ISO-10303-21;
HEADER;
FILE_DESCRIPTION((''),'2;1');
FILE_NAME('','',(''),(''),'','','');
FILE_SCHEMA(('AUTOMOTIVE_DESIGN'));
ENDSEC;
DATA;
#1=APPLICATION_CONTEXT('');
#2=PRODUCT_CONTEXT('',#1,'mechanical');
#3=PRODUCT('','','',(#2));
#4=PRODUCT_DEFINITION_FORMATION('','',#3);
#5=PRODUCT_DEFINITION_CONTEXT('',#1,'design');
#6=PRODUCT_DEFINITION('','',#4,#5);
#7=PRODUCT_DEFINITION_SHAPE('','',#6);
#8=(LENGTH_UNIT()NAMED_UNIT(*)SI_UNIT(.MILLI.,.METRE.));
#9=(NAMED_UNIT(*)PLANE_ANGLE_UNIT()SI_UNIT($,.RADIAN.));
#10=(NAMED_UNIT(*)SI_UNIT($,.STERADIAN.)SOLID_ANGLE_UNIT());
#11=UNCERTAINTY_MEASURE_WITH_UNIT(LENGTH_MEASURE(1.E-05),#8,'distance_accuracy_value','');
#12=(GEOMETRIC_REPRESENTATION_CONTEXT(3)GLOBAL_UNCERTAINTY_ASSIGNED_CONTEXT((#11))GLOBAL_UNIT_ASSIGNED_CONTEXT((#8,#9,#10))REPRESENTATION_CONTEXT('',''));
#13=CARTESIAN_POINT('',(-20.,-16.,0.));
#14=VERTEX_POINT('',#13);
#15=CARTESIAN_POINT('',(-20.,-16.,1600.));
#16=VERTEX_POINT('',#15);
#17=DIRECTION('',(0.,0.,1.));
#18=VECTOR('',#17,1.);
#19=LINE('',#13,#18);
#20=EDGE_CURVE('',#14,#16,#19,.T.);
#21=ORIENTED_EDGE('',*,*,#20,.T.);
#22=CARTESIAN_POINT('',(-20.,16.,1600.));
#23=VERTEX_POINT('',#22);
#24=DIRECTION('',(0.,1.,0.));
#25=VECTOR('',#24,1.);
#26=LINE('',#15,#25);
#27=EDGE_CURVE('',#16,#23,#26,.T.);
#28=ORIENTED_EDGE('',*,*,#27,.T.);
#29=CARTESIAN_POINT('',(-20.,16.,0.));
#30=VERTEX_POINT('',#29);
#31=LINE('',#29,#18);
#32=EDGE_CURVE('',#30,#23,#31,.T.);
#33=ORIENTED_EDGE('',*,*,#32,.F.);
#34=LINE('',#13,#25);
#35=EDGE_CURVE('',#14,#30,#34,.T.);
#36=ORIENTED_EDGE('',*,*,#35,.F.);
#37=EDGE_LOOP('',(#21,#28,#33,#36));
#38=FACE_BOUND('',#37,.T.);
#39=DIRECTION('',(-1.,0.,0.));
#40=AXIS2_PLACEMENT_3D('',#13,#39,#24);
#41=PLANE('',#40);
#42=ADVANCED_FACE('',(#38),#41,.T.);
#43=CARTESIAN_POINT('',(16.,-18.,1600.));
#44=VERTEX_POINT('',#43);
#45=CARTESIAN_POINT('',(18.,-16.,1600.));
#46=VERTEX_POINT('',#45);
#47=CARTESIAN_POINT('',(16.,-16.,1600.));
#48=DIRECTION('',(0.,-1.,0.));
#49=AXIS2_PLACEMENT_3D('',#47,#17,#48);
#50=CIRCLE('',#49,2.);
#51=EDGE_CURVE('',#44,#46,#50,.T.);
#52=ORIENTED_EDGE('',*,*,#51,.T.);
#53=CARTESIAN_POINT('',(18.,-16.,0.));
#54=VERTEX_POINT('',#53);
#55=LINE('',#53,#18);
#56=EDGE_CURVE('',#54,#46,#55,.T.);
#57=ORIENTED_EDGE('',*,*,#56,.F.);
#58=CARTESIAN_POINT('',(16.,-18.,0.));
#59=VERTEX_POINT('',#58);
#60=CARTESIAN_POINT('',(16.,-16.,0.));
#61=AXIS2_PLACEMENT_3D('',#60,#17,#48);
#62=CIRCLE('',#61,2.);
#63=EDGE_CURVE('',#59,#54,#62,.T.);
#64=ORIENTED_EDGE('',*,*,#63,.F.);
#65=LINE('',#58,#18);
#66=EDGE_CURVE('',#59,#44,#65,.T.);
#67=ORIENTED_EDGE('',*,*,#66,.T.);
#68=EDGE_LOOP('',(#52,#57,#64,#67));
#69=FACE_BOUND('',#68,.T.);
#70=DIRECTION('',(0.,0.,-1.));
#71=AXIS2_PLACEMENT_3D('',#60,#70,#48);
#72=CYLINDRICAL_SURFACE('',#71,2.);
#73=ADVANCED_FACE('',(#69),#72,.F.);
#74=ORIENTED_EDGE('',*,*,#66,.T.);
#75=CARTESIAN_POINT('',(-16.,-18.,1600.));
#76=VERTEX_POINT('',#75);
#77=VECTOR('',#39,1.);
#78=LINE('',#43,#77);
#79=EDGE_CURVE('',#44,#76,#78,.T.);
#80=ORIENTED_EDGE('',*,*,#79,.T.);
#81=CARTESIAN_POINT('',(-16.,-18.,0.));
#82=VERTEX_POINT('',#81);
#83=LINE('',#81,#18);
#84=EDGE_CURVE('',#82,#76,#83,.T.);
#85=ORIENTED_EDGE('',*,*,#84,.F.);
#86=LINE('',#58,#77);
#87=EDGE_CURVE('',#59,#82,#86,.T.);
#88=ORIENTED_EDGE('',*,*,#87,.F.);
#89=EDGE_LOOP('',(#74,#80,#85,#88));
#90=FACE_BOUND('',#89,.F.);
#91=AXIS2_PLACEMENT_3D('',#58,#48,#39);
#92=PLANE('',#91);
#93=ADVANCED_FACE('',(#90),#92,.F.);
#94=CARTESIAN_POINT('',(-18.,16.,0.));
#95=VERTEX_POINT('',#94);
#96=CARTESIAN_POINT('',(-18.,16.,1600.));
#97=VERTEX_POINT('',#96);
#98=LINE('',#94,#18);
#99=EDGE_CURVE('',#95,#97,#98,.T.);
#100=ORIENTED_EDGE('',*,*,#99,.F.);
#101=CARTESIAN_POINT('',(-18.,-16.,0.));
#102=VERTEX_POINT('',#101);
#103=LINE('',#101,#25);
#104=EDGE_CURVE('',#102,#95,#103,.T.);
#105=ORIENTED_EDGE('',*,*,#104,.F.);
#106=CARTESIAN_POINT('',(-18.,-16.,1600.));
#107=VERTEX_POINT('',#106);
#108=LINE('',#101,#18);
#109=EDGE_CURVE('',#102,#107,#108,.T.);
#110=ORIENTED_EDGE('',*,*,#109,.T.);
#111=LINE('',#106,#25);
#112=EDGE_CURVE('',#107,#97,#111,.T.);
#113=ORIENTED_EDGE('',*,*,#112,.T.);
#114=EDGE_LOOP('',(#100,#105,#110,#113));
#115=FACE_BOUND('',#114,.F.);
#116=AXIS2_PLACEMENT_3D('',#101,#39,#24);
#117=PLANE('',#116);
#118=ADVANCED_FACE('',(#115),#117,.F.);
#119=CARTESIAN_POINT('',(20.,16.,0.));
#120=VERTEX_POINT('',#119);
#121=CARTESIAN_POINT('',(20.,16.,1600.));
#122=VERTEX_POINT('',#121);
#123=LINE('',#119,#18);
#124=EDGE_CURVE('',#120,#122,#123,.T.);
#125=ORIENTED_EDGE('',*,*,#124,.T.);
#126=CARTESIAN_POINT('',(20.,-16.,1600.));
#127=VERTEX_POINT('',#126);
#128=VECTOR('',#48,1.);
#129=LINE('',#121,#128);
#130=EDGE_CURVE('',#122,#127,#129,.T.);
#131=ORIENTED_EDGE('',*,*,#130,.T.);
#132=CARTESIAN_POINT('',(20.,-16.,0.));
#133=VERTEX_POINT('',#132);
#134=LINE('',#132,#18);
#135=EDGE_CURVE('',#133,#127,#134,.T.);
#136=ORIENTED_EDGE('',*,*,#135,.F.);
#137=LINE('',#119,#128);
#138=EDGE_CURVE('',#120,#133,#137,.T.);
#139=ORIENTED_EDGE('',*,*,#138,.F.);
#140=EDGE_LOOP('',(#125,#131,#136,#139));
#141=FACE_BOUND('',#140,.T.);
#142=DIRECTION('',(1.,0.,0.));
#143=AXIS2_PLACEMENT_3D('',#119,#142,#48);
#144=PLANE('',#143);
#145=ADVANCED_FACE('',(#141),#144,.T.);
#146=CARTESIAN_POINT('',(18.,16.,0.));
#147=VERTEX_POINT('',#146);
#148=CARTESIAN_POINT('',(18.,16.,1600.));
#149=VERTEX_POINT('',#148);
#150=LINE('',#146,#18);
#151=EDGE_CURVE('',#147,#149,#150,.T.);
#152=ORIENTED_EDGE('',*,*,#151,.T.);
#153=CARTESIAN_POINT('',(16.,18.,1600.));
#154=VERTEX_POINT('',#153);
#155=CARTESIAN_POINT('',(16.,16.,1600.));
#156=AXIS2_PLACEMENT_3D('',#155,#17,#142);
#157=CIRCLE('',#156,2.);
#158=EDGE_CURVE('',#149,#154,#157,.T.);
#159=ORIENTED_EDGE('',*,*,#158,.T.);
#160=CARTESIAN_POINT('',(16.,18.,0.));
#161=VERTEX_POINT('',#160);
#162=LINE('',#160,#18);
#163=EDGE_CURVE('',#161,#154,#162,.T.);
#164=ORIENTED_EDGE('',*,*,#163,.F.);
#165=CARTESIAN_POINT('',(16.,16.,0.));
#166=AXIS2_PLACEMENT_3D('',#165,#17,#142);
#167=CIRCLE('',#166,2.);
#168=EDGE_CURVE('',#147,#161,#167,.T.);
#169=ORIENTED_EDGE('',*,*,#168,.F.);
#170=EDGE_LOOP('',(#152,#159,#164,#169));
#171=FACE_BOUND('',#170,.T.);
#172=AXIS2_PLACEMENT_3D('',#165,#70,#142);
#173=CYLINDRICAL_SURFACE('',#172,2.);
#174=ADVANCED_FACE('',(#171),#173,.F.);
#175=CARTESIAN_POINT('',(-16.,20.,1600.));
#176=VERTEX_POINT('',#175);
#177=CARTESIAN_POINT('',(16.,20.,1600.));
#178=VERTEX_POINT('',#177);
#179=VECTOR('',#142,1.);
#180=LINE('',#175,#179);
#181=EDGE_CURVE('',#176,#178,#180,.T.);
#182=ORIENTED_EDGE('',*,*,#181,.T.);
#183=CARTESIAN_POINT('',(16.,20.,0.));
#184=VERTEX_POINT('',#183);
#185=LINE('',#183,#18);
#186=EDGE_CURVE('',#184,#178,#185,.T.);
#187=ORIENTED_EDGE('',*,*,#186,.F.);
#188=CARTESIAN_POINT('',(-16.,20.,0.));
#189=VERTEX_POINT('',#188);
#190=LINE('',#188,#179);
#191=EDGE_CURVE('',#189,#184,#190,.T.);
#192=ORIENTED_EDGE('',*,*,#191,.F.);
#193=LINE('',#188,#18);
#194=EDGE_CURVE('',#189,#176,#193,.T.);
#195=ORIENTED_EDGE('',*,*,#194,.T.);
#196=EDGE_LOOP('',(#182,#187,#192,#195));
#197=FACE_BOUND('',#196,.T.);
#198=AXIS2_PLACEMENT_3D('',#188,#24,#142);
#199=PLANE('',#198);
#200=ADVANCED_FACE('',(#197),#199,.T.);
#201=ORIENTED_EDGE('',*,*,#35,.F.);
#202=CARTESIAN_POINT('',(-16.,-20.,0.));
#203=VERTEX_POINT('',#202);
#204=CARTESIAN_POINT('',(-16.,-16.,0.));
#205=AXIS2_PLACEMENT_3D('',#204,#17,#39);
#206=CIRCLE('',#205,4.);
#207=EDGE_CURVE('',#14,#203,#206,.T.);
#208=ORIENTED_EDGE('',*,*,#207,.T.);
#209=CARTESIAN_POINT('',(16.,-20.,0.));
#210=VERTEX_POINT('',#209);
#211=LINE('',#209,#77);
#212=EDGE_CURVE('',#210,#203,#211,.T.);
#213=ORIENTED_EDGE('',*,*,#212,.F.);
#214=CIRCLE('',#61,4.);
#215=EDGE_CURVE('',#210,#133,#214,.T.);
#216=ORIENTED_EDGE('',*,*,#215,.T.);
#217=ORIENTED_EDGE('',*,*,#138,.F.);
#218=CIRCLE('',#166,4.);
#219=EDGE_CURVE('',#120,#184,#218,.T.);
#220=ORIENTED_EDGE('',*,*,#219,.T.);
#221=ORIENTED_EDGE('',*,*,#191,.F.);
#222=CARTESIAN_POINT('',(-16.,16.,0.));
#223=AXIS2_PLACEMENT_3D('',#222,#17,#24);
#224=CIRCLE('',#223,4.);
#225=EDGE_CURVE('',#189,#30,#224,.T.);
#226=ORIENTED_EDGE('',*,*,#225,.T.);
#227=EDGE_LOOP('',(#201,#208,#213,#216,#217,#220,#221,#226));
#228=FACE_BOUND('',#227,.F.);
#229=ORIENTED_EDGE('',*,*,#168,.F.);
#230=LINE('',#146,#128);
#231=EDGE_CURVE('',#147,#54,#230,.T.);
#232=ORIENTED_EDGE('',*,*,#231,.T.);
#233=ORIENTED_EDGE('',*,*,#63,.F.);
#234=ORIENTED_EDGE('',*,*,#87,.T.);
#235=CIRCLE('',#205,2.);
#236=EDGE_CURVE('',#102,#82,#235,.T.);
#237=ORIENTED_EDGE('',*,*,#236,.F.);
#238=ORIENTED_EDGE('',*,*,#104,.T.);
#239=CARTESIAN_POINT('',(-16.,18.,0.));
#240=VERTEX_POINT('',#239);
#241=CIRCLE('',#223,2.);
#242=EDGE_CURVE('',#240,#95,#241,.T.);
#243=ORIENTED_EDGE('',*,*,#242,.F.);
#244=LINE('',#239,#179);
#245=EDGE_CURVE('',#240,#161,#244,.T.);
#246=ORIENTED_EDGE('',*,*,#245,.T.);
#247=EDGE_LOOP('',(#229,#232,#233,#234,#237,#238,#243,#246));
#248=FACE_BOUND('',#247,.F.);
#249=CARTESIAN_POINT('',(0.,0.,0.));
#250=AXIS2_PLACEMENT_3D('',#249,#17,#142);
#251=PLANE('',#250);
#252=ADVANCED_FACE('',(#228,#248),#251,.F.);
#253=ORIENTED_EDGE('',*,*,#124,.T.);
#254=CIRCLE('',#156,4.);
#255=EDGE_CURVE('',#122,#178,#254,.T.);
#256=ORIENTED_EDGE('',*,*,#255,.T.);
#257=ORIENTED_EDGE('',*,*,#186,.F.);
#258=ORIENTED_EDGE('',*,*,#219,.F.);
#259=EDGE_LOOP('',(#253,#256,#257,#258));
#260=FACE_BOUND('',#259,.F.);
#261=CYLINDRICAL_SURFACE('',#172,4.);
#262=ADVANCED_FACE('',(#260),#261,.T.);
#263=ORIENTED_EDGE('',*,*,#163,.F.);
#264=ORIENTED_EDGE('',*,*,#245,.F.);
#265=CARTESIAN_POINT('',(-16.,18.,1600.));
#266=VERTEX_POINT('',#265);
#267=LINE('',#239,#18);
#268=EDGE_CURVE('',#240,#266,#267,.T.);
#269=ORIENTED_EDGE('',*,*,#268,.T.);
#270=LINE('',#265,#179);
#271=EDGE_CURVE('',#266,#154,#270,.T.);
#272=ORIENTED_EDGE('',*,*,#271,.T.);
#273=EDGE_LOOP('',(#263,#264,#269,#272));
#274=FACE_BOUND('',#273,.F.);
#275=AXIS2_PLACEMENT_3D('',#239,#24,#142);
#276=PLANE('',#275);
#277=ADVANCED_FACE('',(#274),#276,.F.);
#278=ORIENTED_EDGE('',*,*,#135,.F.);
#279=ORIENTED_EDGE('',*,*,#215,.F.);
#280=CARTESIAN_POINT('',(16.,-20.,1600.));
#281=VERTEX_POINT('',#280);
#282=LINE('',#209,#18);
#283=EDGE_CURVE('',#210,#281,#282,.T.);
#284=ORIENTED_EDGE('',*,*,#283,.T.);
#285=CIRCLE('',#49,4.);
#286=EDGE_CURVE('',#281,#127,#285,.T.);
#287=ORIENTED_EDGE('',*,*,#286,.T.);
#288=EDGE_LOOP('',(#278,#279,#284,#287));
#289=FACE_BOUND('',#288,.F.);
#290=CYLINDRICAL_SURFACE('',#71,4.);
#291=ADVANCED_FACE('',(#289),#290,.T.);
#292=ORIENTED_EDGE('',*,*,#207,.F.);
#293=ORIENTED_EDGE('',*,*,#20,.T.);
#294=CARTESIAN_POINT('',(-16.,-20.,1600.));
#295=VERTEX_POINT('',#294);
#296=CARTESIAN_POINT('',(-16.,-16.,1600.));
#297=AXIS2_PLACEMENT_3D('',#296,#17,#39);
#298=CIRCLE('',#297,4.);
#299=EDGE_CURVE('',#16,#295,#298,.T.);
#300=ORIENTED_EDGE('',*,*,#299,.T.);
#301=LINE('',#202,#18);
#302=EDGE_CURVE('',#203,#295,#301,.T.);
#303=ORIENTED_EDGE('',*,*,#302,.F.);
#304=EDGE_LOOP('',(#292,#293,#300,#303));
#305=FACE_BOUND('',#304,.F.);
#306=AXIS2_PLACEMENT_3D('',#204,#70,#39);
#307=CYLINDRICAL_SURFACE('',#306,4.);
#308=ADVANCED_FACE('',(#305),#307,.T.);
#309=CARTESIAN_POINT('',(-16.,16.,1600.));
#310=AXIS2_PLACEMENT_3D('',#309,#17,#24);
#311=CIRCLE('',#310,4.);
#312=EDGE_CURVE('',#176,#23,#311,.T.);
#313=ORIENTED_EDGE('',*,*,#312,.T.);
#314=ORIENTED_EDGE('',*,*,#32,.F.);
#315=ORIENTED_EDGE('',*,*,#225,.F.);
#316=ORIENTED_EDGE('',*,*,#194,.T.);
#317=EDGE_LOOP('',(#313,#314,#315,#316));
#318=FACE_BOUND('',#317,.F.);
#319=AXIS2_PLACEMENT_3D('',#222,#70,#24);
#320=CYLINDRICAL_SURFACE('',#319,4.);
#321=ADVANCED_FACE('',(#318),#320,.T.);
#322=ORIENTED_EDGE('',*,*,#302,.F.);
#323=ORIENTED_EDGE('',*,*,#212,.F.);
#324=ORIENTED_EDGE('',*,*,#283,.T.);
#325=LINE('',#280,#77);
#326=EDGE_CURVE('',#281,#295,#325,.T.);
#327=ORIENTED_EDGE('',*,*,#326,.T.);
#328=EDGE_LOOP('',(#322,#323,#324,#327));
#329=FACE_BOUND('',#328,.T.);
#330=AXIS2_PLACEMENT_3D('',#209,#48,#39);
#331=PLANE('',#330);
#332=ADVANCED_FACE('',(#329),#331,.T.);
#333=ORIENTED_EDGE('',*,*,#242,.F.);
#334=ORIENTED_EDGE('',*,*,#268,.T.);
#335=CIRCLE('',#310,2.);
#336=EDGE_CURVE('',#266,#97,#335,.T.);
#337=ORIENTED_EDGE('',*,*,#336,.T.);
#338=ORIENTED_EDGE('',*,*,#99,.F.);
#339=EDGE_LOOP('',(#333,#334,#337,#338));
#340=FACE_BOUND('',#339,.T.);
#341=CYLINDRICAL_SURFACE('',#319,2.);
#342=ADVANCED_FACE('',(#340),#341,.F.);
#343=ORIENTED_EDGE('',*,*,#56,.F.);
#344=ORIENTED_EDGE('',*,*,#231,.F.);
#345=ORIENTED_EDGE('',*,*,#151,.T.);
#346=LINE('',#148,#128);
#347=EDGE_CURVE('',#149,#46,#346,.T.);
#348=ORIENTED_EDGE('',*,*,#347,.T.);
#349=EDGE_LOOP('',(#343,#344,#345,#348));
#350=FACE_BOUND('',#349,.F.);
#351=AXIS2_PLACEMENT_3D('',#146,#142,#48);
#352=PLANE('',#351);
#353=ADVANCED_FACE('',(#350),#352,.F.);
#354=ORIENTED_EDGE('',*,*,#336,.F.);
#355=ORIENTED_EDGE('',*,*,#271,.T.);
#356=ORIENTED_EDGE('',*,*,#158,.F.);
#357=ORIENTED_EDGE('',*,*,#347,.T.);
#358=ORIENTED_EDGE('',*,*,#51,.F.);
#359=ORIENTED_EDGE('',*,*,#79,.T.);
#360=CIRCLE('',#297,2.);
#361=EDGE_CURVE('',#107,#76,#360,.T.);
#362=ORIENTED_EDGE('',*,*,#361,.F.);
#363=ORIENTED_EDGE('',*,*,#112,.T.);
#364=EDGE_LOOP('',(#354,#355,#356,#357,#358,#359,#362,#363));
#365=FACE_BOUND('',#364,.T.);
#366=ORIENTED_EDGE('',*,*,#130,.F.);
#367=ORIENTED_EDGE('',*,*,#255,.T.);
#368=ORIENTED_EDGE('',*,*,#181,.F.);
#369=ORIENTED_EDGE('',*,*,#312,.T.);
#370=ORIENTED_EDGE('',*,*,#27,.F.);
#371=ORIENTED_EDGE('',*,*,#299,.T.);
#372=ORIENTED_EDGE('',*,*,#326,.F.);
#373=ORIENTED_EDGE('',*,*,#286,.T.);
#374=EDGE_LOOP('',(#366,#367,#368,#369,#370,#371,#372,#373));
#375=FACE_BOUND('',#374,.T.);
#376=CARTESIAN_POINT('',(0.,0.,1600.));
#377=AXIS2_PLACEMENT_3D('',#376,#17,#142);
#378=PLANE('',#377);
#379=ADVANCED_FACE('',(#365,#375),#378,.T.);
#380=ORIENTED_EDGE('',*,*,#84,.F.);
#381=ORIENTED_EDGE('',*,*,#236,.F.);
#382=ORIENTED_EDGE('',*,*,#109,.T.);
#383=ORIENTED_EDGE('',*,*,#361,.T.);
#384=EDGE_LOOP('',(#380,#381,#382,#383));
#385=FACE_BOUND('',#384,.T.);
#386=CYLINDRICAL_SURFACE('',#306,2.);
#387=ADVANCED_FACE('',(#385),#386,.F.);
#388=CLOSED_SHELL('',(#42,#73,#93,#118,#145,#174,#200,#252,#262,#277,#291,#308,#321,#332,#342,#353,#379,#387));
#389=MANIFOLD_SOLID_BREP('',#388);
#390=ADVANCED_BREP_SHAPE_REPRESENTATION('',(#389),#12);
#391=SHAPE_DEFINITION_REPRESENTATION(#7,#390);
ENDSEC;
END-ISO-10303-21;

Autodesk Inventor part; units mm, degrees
ref_plane "YZ Plane" through (0, 0, 0) normal (1, 0, 0) x (0, 1, 0)
ref_plane "Start Plane" through (0, 0, 0) normal (0, 0, 1) x (1, 0, 0)
ref_plane "End Plane" through (0, 0, 1600) normal (0, 0, 1) x (1, 0, 0)
sketch "Sketch" plane through (0, 0, 0) normal (0, 0, 1) x (1, 0, 0)
  line L0 (-20, -16) -> (-20, 16)
  line L1 (-16, 20) -> (16, 20)
  line L2 (20, 16) -> (20, -16)
  line L3 (16, -20) -> (-16, -20)
  arc A0 (-20, -16) -> (-16, -20) centre (-16, -16) ccw
  arc A1 (20, 16) -> (16, 20) centre (16, 16) ccw
  arc A2 (-16, 20) -> (-20, 16) centre (-16, 16) ccw
  arc A3 (16, -20) -> (20, -16) centre (16, -16) ccw
  arc A4 (-16, 18) -> (-18, 16) centre (-16, 16) ccw
  line L4 (-16, 18) -> (16, 18)
  arc A5 (18, 16) -> (16, 18) centre (16, 16) ccw
  line L5 (18, 16) -> (18, -16)
  arc A6 (16, -18) -> (18, -16) centre (16, -16) ccw
  line L6 (16, -18) -> (-16, -18)
  arc A7 (-18, -16) -> (-16, -18) centre (-16, -16) ccw
  line L7 (-18, -16) -> (-18, 16)
  line L8 (0, 29.1598) -> (0, -29.1598) construction
  line L9 (-29.1598, 0) -> (29.1598, 0) construction
  dimension "d7" = 4
  dimension "d9" = 40
  dimension "d11" = 40
  dimension "d12" = 2
  dimension "d15" = 20
  dimension "d16" = 20
extrude "Body" add sketch "Sketch" along normal up to surface (1600 mm away) from surface at 0
sketch "Sketch3" plane through (0, 0, 0) normal (0, 0, 1) x (1, 0, 0)
  line L0 (0, 0) -> (10, 0)
ref_plane "Work Plane3" through (0, 0, 0) normal (0, -1, 0) x (1, 0, 0)
sketch "Sketch4" plane through (0, 0, 0) normal (0, -1, 0) x (1, 0, 0)
  line L0 (-2, 0) -> (12, 0) projected
  line L1 (-2, 1600) -> (12, 1600) projected
  dimension "d18" = 1600
equation "\"d7\" = G_IR"
equation "\"d9\" = G_W"
equation "\"d11\" = G_H"
equation "\"d12\" = G_T"
equation "\"d15\" = 0.5 * d9"
equation "\"d16\" = 0.5 * d11"
equation "\"d3\" = G_L"
equation "\"G_W\" = 40"
equation "\"G_H\" = 40"
equation "\"G_T\" = 2"
equation "\"G_IR\" = 4"
equation "\"G_L\" = d18"
equation "\"G_OFFSET_START\" = 0"
equation "\"G_OFFSET_END\" = 0"
properties part number "ISO 10799-2 - 40x40x2 - 1600" material "Steel, Mild"
